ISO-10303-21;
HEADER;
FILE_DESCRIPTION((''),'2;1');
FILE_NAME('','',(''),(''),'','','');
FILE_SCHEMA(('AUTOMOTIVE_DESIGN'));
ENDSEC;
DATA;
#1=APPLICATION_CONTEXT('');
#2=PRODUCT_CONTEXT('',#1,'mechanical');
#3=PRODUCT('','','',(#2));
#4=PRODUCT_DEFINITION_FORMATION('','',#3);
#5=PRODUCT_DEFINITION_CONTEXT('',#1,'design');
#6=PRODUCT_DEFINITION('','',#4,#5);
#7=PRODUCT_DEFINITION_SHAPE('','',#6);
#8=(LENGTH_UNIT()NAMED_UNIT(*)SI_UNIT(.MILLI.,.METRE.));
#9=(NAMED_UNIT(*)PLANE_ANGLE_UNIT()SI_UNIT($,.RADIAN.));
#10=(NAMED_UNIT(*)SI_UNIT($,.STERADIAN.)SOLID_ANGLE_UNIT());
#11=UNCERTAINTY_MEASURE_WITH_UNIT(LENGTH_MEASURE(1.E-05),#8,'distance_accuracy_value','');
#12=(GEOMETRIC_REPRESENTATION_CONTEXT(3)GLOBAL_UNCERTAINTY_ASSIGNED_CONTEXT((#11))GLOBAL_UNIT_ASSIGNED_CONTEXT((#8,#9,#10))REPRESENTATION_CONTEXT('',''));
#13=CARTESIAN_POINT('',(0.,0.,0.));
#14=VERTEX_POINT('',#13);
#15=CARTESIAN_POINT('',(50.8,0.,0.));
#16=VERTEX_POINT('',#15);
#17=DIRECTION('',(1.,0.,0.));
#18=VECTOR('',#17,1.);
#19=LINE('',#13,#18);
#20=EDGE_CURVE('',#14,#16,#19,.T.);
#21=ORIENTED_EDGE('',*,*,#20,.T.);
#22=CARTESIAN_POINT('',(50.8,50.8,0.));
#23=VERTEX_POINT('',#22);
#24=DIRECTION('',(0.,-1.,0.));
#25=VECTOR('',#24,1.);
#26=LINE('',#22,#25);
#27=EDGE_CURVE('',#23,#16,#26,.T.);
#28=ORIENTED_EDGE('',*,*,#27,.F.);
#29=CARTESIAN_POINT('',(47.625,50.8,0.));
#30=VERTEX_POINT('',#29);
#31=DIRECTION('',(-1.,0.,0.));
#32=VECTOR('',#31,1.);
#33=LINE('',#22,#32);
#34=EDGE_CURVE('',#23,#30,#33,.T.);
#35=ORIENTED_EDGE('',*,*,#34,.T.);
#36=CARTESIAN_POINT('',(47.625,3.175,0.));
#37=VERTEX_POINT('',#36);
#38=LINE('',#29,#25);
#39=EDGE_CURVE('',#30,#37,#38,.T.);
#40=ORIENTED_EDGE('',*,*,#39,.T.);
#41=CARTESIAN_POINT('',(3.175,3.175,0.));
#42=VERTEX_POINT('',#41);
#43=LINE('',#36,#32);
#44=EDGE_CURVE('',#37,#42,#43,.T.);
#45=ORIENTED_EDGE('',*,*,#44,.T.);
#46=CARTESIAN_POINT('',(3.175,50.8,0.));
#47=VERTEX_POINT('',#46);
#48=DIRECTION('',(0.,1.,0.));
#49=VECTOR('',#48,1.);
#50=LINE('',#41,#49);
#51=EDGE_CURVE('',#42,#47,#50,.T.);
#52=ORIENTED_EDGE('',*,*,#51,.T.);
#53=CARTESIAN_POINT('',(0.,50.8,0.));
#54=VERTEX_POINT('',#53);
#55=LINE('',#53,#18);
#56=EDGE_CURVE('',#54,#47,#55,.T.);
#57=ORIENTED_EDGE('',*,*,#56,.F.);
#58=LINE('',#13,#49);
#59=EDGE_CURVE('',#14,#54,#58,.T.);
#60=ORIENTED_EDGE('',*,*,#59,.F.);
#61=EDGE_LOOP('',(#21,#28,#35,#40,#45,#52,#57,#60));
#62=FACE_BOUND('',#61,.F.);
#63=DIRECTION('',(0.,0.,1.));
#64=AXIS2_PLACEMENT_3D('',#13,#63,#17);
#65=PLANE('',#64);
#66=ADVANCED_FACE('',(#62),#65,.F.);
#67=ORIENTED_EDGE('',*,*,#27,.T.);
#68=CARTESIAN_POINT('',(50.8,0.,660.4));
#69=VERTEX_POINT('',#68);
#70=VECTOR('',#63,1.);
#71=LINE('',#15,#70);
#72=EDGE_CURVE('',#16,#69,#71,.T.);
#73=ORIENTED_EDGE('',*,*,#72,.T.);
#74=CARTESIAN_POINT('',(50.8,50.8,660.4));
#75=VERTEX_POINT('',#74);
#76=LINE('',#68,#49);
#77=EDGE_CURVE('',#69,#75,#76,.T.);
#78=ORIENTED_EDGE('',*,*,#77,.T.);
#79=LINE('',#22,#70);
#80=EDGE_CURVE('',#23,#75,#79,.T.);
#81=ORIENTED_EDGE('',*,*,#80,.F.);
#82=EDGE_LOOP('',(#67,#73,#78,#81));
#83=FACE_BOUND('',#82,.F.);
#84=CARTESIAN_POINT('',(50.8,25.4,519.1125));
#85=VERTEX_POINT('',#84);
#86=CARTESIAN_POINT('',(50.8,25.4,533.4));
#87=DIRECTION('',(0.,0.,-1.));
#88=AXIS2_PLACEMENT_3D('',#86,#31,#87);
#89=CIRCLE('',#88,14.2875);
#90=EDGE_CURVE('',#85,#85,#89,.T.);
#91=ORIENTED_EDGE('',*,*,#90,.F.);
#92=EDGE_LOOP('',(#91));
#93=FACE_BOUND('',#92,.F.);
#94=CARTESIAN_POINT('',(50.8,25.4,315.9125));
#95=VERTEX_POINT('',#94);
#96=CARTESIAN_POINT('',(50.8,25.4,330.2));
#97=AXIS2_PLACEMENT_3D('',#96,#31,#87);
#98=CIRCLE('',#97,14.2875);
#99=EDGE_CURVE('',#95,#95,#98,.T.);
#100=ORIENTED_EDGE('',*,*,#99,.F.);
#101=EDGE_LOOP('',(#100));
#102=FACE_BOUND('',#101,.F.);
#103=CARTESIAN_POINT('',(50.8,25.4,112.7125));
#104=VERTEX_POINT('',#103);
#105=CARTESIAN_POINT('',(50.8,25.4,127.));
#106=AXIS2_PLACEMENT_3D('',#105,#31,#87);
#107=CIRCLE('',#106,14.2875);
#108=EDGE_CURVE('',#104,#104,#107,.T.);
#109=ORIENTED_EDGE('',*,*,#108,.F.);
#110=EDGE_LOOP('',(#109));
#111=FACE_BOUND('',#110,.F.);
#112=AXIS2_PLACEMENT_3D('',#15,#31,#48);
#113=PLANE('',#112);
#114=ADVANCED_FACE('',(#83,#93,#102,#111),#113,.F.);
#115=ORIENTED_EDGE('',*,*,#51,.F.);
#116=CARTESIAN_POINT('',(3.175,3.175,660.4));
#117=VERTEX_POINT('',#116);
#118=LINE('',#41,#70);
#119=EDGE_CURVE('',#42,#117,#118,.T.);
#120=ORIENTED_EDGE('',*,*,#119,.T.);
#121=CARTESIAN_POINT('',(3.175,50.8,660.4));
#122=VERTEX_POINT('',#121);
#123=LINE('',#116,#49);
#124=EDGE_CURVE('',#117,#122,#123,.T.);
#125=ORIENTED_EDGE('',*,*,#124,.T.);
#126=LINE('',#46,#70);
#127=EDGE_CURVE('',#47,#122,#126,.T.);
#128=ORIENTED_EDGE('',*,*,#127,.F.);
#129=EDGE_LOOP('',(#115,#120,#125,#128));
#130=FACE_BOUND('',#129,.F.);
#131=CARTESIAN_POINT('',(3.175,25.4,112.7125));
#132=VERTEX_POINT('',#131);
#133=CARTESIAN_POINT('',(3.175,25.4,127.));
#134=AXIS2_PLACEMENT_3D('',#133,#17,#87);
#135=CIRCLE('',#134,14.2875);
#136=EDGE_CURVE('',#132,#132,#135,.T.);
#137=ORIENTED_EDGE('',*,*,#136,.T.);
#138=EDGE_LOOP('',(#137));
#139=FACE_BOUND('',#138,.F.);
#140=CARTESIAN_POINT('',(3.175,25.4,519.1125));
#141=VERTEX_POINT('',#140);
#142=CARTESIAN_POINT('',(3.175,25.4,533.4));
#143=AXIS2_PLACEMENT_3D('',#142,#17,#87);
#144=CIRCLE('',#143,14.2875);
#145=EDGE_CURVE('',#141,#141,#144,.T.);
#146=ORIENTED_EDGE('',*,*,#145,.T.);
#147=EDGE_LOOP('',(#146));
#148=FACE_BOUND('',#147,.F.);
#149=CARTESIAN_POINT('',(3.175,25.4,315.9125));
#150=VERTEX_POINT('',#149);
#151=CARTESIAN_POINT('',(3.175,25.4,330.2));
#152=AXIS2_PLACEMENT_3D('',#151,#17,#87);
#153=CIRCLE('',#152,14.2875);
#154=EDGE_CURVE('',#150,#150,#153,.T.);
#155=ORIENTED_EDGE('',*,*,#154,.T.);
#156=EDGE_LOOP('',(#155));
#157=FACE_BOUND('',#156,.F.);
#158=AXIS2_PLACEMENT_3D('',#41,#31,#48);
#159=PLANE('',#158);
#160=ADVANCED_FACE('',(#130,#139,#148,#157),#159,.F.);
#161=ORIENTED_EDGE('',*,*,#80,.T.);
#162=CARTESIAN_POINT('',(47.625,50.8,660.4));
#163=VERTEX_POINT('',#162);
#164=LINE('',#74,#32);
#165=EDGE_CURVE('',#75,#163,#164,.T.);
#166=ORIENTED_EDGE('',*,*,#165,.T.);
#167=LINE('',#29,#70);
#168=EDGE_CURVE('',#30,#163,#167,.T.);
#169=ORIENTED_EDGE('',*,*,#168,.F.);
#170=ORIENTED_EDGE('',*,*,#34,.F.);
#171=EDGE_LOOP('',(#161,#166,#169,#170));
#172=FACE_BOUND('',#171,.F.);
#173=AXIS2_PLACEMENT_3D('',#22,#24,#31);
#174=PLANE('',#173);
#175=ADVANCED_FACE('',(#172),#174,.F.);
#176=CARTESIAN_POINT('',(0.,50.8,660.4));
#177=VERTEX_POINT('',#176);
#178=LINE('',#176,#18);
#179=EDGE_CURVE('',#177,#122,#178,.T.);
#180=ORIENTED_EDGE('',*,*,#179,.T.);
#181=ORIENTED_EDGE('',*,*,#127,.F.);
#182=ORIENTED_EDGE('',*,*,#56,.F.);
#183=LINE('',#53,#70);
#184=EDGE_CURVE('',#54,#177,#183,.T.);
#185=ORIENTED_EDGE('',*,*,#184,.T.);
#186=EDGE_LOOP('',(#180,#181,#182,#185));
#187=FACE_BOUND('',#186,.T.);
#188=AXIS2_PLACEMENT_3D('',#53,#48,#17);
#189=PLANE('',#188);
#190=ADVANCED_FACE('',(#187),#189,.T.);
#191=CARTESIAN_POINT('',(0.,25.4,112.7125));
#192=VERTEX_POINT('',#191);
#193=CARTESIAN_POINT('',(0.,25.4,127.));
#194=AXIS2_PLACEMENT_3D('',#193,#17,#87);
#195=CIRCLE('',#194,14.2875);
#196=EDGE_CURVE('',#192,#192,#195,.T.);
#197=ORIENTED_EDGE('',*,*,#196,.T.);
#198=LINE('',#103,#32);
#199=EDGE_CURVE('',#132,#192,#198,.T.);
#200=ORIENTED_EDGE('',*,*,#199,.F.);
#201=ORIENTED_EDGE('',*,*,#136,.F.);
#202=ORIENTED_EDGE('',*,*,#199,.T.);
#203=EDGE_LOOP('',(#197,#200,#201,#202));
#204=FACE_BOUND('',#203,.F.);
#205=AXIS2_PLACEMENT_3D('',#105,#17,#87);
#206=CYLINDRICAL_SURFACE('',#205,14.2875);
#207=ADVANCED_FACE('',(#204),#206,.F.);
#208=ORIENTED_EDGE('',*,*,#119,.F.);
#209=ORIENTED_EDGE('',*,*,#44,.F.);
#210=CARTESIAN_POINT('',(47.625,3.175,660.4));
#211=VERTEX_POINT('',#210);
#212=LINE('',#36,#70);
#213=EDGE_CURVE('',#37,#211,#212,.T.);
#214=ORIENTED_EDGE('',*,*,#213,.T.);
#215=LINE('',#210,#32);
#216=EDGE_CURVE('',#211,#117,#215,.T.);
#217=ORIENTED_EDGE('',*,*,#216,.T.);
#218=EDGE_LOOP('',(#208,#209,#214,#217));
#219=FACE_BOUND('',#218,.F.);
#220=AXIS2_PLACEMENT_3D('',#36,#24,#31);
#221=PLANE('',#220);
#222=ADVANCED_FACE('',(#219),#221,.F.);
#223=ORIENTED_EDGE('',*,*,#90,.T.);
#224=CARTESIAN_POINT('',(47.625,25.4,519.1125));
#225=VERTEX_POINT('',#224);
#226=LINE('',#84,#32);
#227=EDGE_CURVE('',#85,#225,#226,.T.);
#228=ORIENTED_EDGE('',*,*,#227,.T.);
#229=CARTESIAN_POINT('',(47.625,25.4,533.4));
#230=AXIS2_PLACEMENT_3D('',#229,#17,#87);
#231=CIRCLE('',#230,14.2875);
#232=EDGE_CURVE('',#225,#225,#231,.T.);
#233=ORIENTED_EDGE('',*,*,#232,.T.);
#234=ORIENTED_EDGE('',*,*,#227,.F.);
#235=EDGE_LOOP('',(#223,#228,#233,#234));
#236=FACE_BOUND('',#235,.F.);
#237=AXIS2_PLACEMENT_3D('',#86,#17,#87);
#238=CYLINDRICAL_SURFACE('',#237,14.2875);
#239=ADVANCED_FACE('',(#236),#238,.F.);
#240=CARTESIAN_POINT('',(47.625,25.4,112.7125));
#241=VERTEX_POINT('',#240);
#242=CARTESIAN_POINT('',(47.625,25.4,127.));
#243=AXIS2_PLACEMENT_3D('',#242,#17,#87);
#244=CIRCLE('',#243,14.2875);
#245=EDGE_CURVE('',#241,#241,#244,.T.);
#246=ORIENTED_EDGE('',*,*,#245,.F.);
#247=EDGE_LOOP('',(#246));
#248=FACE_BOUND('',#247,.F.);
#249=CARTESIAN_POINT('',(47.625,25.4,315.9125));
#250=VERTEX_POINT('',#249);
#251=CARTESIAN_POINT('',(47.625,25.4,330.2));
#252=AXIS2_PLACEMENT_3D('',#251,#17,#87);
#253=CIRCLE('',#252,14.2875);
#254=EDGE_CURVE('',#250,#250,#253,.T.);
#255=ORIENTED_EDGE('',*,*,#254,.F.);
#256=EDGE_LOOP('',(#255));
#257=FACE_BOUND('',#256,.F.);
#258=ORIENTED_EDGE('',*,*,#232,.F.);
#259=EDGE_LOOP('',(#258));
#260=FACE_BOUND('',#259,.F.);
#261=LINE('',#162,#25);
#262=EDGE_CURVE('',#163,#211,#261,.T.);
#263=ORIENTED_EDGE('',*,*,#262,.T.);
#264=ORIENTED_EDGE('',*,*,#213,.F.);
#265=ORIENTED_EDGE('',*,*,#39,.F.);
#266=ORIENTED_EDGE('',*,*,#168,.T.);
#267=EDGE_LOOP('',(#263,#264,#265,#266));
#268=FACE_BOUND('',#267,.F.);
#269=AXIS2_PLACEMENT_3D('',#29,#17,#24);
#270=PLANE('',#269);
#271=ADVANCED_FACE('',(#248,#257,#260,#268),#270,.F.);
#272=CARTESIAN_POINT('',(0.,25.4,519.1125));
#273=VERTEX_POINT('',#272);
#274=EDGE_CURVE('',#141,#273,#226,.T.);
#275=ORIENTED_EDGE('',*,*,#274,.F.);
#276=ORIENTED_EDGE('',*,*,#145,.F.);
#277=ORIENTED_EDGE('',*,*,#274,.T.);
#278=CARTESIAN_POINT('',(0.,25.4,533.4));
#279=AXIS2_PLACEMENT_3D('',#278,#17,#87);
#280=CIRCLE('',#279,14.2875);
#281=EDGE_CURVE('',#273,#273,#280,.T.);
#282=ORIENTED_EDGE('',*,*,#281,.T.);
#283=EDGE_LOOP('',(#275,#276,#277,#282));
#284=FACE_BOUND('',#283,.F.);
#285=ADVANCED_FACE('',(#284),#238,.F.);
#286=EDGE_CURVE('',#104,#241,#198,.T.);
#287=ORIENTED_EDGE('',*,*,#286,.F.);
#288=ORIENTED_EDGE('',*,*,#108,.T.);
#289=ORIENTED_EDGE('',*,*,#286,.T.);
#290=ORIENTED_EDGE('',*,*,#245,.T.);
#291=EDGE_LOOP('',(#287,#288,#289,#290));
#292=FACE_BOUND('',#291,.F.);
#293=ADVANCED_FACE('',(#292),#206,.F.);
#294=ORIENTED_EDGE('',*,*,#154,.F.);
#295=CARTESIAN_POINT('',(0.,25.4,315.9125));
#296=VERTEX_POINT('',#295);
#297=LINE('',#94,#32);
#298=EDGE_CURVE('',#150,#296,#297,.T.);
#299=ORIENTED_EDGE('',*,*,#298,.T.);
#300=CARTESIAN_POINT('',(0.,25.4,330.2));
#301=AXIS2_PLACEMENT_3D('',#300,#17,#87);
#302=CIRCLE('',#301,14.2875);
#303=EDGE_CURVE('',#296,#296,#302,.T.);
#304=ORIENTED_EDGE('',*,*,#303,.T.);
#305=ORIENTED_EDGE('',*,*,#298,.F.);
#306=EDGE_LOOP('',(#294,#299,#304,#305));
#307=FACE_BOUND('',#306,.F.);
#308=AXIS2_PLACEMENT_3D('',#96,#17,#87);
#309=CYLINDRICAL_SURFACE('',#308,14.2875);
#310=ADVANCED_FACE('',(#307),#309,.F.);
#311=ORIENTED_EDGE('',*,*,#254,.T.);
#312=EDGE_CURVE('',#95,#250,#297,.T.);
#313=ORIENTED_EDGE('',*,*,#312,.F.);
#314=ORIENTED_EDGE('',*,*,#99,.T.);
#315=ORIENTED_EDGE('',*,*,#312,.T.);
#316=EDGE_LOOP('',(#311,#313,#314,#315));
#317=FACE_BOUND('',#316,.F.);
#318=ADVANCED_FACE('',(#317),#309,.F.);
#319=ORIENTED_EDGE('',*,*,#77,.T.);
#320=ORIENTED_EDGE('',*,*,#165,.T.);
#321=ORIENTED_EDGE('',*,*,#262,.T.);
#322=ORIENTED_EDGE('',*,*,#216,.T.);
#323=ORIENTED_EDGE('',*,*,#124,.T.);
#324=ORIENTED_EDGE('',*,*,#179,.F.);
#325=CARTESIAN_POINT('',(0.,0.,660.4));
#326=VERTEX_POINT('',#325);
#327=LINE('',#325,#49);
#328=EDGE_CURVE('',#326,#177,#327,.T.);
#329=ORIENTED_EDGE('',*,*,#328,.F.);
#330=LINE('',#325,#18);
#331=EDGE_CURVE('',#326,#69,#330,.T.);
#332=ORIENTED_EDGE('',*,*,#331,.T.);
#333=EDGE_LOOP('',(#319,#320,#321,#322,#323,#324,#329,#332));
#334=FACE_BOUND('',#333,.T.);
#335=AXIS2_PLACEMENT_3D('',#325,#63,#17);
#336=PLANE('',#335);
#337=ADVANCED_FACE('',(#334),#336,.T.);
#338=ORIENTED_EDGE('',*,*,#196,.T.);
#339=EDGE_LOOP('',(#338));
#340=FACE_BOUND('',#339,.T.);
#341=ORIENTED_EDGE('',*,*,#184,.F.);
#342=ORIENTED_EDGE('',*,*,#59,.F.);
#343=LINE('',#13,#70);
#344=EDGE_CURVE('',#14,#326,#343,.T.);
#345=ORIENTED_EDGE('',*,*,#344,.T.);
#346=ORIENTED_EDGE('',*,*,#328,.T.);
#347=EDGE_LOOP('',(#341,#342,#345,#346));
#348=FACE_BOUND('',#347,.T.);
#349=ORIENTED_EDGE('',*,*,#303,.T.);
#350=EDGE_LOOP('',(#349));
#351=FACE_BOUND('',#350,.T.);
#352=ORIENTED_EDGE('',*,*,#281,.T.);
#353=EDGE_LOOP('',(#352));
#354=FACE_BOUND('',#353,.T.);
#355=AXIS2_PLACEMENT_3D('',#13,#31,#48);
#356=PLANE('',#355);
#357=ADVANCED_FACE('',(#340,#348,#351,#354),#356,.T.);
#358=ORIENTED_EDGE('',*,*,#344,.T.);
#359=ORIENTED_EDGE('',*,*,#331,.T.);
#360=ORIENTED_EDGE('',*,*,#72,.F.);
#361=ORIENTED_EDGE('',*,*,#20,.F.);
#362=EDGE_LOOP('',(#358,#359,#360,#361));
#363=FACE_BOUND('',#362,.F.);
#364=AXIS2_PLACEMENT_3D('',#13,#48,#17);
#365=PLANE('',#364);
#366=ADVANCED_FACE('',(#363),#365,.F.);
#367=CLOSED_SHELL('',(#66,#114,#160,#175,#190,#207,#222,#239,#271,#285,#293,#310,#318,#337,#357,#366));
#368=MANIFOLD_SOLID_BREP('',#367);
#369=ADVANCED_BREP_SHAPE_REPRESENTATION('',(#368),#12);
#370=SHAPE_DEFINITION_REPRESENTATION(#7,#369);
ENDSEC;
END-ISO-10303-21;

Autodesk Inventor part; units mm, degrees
ref_plane "YZ Plane" through (0, 0, 0) normal (1, 0, 0) x (0, 1, 0)
ref_plane "XZ Plane" through (0, 0, 0) normal (0, 1, 0) x (-1, 0, 0)
ref_plane "XY Plane" through (0, 0, 0) normal (0, 0, 1) x (1, 0, 0)
sketch "Sketch1" plane through (0, 0, 0) normal (0, 0, 1) x (1, 0, 0)
  line L0 (0, 0) -> (0, 50.8)
  line L1 (0, 50.8) -> (3.175, 50.8)
  line L2 (0, 0) -> (50.8, 0)
  line L3 (50.8, 0) -> (50.8, 50.8)
  line L4 (50.8, 50.8) -> (47.625, 50.8)
  line L5 (50.8, 0) -> (50.8, 3.175)
  line L6 (47.625, 3.175) -> (3.175, 3.175)
  line L7 (3.175, 3.175) -> (3.175, 50.8)
  line L8 (47.625, 50.8) -> (47.625, 3.175)
  dimension "d0" = 50.8
  dimension "d1" = 3.175
  dimension "d2" = 50.8
  dimension "d3" = 3.175
  dimension "d4" = 50.8
  dimension "d5" = 3.175
extrude "Extrusion1" add sketch "Sketch1" along normal blind 660.4
sketch "Sketch2" plane through (50.8, 0, 0) normal (1, 0, 0) x (0, 0, -1)
  line L0 (0, 50.8) -> (-660.4, 50.8) projected
  line L1 (-330.2, 50.8) -> (-330.2, 0)
  line L2 (0, 0) -> (-660.4, 0) projected
  line L3 (0, 50.8) -> (0, 3.175) projected
  line L4 (0, 50.8) -> (-127, 50.8)
  line L5 (-127, 50.8) -> (-127, 0)
  line L6 (-660.4, 50.8) -> (-533.4, 50.8)
  line L7 (-533.4, 50.8) -> (-533.4, 0)
  circle A0 centre (-330.2, 25.4) radius 14.2875
  circle A1 centre (-533.4, 25.4) radius 14.2875
  circle A2 centre (-127, 25.4) radius 14.2875
  dimension "d8" = 127
  dimension "d9" = 127
  dimension "d10" = 28.575
extrude "Extrusion2" cut sketch "Sketch2" against normal blind 53.975 contours A2 L5 | L5 A2 | A0 L1 | L1 A0 | A1 L7 | L7 A1
properties part number "u-channel"
